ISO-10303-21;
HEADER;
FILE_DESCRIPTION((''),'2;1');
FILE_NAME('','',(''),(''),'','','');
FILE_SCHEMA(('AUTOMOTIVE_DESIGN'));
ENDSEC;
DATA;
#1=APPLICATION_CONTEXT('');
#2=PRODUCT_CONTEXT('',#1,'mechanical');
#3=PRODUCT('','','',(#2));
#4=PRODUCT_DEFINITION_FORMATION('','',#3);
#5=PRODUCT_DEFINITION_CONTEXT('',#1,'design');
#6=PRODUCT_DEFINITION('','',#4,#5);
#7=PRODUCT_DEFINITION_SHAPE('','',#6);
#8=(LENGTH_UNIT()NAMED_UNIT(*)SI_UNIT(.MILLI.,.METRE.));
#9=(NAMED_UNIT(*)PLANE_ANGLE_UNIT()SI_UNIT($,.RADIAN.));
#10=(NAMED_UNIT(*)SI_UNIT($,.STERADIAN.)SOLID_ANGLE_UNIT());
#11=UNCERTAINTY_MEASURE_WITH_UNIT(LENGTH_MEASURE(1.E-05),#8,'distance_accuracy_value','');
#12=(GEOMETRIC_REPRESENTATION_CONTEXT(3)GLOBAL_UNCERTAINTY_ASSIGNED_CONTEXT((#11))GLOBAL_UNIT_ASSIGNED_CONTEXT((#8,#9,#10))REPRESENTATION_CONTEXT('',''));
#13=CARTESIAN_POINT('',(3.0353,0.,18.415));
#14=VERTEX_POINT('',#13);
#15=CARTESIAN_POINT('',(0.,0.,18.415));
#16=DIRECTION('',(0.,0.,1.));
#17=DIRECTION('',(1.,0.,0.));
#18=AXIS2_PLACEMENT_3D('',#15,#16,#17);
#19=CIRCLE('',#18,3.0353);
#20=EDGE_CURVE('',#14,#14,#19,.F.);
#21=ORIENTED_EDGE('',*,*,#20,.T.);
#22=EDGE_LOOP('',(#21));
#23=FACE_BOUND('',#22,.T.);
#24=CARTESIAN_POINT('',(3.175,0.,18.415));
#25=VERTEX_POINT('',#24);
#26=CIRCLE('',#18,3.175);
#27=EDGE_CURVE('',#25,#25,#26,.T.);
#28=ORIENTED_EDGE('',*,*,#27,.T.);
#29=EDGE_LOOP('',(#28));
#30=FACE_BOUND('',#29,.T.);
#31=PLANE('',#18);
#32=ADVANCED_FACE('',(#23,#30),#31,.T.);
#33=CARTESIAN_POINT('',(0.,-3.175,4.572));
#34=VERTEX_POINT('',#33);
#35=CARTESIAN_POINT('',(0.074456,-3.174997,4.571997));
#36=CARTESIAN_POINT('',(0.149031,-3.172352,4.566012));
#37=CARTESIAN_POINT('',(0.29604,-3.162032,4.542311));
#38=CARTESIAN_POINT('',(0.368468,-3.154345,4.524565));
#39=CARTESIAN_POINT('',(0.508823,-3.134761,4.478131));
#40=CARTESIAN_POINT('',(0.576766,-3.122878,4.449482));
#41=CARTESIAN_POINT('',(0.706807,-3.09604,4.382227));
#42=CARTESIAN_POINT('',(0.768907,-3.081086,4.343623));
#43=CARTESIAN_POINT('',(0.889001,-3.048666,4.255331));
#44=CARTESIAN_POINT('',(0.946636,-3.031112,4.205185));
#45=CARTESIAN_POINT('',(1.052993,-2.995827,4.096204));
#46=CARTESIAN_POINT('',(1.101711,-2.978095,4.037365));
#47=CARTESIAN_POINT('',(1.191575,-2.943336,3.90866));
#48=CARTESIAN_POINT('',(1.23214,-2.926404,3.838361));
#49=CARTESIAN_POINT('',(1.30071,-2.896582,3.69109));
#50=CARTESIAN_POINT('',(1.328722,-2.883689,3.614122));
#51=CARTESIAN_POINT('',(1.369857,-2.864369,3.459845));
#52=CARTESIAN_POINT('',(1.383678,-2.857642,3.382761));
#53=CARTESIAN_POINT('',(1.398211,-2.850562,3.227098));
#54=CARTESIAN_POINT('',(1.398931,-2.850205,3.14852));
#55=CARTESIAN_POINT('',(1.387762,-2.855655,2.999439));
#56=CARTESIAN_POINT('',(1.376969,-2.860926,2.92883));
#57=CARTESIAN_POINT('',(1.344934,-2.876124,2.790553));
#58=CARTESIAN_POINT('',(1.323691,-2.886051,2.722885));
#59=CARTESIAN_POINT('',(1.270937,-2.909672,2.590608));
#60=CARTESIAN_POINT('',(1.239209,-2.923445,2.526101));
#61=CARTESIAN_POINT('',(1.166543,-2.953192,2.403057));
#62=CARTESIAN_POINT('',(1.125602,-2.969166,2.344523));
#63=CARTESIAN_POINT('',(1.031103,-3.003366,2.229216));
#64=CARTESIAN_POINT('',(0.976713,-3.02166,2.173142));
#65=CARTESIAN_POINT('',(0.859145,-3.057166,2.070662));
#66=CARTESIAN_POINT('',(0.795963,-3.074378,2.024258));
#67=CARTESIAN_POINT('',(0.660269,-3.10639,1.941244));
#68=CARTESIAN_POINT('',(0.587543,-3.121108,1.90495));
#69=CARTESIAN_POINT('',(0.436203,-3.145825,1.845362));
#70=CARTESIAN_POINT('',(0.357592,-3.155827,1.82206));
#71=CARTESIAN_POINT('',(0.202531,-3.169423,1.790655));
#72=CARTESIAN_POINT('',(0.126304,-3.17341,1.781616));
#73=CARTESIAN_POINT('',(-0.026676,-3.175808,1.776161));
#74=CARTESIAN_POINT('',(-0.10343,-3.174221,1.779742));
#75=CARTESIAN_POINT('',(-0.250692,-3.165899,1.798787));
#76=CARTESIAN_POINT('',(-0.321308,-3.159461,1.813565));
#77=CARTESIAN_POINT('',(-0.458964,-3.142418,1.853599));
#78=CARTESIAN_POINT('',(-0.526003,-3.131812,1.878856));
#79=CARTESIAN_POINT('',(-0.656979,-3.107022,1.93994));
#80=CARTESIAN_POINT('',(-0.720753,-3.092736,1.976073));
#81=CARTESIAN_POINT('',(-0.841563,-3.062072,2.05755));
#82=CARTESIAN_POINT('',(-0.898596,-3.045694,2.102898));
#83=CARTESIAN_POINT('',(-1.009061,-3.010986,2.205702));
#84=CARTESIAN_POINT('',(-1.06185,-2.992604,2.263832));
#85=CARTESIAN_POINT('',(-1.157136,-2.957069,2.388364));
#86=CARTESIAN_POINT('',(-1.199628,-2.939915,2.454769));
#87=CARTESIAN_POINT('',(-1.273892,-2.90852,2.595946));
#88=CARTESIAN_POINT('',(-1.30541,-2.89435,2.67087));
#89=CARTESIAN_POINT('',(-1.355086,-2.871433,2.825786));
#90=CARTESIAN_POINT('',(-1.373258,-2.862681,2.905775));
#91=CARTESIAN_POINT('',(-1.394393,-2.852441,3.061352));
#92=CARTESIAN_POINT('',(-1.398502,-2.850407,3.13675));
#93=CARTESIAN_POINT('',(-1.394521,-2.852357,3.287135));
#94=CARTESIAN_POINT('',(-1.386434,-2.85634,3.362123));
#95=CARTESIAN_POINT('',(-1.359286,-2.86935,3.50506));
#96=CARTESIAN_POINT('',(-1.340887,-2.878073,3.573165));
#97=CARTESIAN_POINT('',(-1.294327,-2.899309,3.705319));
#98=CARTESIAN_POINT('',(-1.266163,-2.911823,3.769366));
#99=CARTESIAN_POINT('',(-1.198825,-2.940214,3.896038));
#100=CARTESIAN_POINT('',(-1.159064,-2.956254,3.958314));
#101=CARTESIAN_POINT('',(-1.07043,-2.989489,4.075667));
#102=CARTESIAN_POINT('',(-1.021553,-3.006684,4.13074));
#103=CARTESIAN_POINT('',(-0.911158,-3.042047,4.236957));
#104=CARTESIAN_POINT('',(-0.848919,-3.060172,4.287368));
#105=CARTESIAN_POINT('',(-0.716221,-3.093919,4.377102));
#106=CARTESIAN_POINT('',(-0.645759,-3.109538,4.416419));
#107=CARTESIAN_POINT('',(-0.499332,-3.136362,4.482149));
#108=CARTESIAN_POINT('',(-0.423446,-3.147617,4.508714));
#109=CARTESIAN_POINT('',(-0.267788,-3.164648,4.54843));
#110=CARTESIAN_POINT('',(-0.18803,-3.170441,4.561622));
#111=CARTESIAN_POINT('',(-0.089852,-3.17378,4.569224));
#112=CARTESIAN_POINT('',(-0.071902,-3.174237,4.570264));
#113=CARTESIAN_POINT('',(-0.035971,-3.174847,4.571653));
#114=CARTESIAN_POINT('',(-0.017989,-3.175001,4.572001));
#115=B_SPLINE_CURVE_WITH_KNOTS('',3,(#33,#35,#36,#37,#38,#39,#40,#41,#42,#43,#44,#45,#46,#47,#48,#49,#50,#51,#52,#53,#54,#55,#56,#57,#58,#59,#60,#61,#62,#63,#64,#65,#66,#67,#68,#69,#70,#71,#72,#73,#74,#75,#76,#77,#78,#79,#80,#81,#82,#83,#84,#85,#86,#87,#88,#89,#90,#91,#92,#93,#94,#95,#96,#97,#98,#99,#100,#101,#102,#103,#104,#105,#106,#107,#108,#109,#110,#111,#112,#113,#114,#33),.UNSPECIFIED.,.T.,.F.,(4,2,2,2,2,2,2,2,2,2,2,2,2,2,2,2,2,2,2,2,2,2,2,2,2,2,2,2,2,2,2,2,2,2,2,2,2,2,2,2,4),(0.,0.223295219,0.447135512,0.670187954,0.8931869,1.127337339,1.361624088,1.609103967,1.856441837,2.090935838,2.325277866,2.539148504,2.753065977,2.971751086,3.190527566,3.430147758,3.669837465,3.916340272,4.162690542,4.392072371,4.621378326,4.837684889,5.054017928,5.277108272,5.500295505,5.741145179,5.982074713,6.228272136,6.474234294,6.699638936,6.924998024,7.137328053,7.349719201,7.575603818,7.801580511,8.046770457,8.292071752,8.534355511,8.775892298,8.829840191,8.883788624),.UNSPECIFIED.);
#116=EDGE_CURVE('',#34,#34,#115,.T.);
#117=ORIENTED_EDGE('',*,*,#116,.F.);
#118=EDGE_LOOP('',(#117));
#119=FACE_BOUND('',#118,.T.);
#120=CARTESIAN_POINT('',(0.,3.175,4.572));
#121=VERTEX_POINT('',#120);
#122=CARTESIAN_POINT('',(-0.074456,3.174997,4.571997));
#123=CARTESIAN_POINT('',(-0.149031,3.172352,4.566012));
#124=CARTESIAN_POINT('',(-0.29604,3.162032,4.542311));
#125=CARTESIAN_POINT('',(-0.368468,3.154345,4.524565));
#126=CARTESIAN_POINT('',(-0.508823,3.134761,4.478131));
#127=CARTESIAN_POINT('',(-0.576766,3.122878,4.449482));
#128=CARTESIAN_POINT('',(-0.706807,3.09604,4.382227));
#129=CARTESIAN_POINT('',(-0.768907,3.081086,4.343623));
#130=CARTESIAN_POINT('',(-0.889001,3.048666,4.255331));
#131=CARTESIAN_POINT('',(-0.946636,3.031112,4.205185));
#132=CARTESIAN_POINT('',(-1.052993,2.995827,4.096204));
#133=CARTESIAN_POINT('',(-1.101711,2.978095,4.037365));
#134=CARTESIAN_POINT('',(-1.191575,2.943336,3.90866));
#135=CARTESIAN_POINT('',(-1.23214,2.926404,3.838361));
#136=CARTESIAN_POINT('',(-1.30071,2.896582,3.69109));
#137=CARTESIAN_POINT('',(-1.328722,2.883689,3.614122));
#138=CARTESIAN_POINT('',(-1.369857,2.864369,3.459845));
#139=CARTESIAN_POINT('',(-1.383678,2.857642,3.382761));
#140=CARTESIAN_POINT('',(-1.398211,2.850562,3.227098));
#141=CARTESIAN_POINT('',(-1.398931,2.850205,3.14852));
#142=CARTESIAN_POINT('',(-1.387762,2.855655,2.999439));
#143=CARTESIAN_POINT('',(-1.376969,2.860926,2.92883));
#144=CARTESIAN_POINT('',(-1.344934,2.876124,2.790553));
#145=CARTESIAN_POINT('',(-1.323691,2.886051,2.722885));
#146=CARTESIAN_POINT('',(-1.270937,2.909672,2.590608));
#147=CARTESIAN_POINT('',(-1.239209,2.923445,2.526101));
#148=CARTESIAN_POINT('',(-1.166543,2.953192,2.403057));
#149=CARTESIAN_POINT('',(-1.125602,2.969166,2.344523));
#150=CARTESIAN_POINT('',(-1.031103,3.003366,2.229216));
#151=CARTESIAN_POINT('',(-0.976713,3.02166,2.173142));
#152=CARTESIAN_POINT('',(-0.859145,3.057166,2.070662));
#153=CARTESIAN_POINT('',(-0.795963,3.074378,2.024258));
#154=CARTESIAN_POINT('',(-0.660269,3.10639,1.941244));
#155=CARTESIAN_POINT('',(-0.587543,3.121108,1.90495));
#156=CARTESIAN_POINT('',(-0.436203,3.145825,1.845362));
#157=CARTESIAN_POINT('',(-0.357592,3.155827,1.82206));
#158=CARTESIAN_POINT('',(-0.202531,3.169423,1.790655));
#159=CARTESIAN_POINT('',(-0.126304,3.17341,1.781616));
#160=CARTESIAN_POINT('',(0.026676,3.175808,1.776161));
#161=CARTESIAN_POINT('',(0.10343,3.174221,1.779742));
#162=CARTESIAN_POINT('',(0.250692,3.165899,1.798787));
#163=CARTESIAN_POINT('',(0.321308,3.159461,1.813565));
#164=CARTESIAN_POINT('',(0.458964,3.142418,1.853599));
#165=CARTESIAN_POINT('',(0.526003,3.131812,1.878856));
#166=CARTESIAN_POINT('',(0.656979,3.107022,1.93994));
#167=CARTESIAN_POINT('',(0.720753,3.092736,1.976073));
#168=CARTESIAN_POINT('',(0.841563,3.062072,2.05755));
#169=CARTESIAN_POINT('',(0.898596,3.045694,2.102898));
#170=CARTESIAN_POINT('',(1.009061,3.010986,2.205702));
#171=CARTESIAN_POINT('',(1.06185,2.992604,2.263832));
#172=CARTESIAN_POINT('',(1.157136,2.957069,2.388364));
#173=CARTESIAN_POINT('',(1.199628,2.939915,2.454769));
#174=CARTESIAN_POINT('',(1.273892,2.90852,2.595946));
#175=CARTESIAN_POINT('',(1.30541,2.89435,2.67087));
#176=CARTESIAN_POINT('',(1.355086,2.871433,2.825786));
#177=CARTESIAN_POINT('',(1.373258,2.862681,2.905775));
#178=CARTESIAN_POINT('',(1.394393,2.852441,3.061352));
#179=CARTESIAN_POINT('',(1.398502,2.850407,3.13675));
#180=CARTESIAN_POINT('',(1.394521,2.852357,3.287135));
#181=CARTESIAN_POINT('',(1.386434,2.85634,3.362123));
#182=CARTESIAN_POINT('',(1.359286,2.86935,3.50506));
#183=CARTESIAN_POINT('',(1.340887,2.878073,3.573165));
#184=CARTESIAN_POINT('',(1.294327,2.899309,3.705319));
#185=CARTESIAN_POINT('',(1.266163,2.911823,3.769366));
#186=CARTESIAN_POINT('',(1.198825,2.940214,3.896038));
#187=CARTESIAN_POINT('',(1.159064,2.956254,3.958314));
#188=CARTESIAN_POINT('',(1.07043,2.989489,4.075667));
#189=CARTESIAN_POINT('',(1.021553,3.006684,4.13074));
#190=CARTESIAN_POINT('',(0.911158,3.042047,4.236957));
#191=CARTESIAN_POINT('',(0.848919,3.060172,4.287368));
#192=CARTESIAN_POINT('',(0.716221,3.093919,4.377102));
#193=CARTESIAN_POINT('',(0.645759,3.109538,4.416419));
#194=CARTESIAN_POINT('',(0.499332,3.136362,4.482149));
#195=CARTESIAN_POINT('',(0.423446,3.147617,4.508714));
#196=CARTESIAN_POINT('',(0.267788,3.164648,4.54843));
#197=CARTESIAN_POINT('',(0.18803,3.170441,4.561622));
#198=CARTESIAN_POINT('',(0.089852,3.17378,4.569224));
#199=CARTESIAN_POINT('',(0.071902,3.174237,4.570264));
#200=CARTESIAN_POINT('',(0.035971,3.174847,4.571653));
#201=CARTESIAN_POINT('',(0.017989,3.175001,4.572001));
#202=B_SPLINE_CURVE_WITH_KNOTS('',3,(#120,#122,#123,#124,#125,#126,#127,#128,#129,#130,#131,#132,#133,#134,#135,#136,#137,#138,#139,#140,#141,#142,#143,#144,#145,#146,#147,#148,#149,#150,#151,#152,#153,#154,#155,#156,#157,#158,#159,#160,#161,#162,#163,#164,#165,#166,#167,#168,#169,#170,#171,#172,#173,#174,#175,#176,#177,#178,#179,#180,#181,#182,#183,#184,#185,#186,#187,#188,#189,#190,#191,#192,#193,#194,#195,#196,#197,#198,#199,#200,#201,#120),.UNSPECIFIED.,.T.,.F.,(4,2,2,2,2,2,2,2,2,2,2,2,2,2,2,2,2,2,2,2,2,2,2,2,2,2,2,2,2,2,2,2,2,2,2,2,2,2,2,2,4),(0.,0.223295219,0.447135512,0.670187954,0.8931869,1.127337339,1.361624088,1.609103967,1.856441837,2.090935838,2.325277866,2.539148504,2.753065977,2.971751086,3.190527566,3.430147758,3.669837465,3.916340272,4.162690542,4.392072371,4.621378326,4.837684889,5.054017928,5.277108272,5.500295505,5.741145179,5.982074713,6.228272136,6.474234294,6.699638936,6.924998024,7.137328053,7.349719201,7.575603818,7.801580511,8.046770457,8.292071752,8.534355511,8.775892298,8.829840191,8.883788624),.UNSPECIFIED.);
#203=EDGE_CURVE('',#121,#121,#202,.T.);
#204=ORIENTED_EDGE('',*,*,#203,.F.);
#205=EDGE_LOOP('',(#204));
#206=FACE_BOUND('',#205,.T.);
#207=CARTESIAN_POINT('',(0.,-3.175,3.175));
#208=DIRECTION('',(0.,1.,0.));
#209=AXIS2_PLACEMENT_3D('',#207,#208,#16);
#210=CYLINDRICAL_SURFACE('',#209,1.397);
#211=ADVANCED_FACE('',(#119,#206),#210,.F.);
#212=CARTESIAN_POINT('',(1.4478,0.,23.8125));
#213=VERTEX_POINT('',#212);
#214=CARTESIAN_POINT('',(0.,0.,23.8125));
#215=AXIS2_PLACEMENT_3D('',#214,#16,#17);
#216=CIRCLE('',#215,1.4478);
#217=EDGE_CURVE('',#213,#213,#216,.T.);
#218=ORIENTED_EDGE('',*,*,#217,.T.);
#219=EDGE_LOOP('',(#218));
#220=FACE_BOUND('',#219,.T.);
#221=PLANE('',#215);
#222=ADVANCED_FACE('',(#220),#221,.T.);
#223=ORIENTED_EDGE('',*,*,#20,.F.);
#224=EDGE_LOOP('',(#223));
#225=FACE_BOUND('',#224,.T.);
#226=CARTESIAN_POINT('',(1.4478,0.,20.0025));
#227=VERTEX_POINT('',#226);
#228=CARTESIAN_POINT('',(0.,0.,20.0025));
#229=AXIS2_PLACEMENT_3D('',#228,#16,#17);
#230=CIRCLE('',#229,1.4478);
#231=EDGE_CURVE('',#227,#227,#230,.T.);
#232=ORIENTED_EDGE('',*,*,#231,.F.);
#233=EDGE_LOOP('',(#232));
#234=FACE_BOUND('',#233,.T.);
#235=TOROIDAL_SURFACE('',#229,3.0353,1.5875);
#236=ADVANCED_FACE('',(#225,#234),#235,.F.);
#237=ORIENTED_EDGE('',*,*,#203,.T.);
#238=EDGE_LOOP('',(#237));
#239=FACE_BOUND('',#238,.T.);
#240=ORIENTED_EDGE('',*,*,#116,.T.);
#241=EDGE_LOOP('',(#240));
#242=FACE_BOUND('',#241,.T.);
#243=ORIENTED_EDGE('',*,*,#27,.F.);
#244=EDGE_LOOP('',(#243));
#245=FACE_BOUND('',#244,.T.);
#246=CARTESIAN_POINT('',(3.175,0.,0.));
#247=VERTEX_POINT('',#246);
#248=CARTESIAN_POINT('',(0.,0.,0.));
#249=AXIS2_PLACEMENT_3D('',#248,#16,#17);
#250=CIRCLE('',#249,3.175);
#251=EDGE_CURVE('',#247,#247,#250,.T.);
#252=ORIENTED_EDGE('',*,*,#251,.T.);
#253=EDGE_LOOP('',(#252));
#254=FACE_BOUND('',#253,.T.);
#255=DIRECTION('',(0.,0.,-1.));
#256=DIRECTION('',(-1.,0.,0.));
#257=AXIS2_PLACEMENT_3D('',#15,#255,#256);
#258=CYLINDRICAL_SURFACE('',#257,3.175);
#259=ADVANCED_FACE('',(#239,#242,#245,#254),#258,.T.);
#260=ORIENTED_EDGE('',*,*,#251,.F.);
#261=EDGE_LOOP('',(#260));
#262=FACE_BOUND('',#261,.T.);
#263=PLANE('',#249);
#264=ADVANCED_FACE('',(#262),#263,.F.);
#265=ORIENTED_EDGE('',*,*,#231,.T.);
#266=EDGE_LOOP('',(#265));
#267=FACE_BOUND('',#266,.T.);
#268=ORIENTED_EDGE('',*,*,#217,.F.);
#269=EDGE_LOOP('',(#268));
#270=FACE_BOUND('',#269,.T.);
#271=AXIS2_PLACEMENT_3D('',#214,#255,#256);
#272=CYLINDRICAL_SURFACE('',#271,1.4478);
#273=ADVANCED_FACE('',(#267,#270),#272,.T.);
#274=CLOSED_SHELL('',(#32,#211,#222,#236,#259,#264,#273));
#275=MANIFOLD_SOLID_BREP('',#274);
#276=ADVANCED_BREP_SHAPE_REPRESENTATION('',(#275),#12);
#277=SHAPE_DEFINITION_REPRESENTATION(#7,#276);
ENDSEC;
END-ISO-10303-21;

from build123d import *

# Parameters (mm, degrees)
SKETCH1_R               = 3.175
BOSS_EXTRUDE1_DEPTH     = 18.415
SKETCH2_R               = 1.4478
BOSS_EXTRUDE2_DEPTH     = 5.3975
FILLET1_R               = 1.5875
CUT_EXTRUDE1_DEPTH      = 25.232135817
CUT_EXTRUDE1_DEPTH_BACK = 25.232135817
SKETCH3_R               = 1.397


with BuildPart() as part:
    # Sketch1 → Boss-Extrude1 (new body)
    with BuildSketch(Plane.XY):
        Circle(SKETCH1_R)
    extrude(amount=BOSS_EXTRUDE1_DEPTH)

    # Sketch2 → Boss-Extrude2 (add)
    with BuildSketch(Plane.XY.offset(18.415)):
        Circle(SKETCH2_R)
    extrude(amount=BOSS_EXTRUDE2_DEPTH)

    # Fillet1
    fillet1_edges = [part.edges().sort_by_distance(p)[0] for p in [
        (-1.4478, 0, 18.415),
    ]]
    fillet(fillet1_edges, radius=FILLET1_R)

    # Sketch3 → Cut-Extrude1 (cut, two sides: drawn at the far end of the back side and taken through both)
    with BuildSketch(Plane(origin=(0, 0, 0), x_dir=(1, 0, 0), z_dir=(0, 1, 0)).offset(-CUT_EXTRUDE1_DEPTH_BACK)):
        with Locations(Location((0, -3.175, 0), (0, 0, 270))):
            Circle(SKETCH3_R)
    extrude(amount=CUT_EXTRUDE1_DEPTH + CUT_EXTRUDE1_DEPTH_BACK, mode=Mode.SUBTRACT)


solid = part.part
